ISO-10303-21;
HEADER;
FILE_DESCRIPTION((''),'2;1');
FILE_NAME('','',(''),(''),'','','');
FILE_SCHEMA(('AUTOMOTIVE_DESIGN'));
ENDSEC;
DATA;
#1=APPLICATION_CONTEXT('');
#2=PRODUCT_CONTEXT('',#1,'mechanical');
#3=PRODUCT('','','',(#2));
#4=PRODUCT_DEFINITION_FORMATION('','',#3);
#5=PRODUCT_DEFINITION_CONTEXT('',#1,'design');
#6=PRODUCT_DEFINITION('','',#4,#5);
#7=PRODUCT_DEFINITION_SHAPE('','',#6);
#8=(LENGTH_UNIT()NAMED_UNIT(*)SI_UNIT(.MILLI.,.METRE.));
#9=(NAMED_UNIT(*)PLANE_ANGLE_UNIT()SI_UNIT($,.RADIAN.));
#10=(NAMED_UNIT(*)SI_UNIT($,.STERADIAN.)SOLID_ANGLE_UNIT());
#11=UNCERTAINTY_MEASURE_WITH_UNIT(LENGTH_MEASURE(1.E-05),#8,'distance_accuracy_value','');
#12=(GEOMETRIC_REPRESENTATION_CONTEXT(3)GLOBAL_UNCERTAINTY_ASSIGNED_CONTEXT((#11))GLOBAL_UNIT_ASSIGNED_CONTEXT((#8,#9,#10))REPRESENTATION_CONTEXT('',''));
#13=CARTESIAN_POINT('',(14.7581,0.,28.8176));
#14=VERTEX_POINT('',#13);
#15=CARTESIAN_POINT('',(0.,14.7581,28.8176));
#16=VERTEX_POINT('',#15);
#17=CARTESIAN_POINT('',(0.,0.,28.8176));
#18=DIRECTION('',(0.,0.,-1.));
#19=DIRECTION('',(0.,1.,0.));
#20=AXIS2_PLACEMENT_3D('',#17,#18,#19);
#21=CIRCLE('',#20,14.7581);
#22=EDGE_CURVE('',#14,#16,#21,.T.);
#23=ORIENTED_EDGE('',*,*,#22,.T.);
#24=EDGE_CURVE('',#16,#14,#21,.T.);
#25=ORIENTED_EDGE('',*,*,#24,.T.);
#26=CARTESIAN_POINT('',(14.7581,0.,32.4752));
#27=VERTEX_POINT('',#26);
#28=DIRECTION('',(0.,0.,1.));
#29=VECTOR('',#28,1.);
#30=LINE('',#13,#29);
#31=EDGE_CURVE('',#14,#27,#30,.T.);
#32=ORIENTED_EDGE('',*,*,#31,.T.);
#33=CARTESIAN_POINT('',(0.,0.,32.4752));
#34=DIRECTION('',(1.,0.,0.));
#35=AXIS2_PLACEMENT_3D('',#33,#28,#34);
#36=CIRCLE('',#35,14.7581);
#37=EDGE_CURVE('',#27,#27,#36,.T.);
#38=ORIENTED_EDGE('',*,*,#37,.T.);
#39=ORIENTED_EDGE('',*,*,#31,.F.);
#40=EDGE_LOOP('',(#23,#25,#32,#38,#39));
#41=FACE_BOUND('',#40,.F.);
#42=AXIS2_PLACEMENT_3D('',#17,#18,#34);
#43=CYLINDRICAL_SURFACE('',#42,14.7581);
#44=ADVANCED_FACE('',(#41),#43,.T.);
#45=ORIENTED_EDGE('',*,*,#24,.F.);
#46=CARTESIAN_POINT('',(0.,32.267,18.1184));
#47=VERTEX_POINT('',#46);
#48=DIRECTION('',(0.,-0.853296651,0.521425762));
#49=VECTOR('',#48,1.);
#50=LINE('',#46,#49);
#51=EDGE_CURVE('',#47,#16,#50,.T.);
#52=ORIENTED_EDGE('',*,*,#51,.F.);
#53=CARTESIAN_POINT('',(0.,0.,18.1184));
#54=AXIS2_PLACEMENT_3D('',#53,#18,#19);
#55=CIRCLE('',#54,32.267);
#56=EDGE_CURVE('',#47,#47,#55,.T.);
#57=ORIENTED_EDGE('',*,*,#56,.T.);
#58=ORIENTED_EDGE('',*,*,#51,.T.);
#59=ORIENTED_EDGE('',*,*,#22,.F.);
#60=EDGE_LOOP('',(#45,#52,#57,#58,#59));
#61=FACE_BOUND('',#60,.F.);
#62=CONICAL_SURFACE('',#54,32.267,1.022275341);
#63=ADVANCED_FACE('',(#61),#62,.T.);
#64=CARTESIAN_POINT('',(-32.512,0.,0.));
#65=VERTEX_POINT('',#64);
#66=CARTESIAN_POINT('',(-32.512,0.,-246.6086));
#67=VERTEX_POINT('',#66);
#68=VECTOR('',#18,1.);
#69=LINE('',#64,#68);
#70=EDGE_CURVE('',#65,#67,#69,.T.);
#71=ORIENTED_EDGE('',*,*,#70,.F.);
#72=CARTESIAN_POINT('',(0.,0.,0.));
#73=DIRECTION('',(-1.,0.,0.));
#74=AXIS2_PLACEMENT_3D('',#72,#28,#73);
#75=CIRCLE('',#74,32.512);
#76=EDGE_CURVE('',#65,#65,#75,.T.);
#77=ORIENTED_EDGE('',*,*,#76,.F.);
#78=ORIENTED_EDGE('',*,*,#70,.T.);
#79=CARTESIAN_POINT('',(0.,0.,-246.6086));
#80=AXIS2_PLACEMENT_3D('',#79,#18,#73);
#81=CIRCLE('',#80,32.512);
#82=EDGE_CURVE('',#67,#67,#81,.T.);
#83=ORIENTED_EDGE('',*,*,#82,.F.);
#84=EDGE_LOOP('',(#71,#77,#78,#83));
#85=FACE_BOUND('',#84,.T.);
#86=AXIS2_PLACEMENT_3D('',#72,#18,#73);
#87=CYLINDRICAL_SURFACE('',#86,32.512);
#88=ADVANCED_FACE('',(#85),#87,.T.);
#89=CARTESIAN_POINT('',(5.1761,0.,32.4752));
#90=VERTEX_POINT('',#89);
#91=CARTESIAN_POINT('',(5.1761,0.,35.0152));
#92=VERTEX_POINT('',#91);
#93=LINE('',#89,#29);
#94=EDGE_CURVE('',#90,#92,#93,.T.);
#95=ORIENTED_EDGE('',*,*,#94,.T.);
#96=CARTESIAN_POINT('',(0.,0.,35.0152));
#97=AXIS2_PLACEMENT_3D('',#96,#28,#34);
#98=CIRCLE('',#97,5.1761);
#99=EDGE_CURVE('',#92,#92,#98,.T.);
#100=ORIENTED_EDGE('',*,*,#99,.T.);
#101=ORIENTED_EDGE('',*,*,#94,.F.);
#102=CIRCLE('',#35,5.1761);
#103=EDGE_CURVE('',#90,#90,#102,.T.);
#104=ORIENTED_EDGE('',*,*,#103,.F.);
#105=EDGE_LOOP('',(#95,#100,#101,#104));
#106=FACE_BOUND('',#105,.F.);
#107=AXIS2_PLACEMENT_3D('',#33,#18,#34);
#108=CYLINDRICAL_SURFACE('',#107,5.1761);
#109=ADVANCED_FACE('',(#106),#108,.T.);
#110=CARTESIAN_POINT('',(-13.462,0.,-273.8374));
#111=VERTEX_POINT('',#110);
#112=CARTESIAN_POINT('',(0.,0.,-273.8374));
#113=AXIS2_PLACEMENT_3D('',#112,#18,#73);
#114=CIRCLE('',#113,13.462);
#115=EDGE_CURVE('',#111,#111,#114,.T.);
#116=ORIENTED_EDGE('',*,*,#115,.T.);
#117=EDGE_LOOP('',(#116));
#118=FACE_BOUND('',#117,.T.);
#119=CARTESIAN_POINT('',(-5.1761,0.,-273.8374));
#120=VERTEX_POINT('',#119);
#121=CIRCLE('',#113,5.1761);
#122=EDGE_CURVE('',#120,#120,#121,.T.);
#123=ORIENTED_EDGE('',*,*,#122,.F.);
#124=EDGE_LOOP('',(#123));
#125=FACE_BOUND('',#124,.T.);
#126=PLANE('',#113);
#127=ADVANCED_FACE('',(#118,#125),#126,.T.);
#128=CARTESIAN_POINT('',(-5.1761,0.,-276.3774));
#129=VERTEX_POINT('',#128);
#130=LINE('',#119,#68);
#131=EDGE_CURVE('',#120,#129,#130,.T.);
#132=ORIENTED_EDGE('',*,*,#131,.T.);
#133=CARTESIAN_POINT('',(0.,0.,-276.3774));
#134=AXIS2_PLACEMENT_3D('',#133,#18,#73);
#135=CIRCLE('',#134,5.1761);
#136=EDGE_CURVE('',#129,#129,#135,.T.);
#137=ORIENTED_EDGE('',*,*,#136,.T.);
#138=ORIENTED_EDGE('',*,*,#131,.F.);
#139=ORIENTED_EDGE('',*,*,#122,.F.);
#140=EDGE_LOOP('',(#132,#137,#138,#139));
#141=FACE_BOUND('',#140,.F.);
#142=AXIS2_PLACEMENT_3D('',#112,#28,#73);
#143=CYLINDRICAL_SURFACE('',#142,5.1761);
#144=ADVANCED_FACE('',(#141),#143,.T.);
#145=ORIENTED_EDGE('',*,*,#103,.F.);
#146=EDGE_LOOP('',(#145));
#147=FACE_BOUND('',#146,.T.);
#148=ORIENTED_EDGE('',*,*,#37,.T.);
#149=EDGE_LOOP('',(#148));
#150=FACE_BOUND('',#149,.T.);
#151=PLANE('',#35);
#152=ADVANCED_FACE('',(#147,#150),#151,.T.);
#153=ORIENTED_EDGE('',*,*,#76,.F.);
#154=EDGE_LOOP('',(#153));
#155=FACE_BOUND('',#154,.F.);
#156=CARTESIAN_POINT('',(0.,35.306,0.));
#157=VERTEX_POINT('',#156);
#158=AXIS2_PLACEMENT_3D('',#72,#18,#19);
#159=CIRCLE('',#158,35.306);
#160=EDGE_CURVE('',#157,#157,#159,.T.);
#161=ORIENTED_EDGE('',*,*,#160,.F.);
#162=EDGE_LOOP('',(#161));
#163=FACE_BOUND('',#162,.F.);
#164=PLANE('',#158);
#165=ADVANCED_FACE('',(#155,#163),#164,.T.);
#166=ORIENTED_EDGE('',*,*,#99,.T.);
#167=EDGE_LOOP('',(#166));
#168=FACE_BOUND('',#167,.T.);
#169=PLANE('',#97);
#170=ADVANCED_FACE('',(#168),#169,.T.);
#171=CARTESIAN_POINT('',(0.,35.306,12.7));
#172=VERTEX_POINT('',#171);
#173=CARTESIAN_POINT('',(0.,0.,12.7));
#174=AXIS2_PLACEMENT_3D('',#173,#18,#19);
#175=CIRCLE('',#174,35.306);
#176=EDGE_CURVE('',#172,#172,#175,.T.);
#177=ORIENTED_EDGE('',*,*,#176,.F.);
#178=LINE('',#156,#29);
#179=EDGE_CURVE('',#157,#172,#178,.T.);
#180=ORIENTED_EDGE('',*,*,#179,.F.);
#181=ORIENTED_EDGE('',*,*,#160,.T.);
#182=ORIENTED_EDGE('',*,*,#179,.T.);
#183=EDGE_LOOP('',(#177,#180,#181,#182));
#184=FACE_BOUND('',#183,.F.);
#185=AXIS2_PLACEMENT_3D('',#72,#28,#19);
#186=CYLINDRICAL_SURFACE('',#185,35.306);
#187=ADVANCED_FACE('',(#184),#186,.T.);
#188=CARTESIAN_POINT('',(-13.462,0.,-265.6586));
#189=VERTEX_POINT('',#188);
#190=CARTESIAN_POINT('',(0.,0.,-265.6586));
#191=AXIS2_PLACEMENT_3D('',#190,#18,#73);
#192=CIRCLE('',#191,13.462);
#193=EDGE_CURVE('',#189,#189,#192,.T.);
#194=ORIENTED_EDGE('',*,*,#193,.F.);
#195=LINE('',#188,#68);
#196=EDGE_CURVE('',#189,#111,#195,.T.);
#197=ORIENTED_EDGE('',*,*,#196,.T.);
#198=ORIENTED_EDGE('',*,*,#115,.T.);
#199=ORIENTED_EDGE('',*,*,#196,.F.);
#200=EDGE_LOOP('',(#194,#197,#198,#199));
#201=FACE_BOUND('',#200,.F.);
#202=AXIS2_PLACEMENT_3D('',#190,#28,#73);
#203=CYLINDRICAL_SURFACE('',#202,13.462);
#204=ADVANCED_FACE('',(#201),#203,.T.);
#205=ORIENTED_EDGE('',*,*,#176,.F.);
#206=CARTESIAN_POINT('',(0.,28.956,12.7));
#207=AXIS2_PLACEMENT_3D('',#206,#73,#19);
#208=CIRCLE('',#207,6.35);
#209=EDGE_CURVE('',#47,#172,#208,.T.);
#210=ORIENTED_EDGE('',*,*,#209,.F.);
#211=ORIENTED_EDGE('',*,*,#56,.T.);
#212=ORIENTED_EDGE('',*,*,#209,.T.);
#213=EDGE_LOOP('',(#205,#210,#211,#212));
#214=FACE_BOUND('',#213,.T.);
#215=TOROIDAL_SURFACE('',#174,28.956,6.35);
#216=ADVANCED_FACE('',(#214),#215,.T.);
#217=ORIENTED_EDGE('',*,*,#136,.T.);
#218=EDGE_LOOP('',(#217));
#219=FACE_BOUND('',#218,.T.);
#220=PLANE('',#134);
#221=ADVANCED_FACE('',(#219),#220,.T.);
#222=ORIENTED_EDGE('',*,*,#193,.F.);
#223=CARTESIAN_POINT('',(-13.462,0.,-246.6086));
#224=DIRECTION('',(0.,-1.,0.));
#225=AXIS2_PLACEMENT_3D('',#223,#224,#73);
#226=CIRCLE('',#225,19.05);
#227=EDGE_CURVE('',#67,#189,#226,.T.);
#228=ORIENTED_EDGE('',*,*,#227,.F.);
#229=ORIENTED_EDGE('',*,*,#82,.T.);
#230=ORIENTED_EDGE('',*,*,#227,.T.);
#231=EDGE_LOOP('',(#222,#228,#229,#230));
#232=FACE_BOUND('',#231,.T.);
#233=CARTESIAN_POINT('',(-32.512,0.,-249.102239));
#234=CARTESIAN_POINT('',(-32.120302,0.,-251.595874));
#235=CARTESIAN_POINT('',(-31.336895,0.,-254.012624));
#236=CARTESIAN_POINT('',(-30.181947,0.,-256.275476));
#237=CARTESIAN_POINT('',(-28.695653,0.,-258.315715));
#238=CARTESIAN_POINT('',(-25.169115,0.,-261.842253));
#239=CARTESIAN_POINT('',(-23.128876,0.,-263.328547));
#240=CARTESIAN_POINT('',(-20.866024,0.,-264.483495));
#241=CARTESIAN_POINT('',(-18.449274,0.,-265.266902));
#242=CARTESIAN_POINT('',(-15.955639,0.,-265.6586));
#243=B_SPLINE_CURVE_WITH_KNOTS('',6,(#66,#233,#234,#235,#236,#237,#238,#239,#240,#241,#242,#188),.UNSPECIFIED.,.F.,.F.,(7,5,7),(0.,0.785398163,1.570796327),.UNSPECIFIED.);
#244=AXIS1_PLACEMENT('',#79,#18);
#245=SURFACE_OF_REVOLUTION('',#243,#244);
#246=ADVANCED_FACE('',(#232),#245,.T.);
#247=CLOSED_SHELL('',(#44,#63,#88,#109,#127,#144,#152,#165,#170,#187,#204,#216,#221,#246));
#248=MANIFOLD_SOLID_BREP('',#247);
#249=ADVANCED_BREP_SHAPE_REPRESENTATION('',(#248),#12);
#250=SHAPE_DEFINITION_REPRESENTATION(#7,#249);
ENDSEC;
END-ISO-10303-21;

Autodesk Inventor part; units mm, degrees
ref_plane "XZ Plane" through (0, 0, 0) normal (0, 1, 0) x (-1, 0, 0)
ref_plane "XY Plane" through (0, 0, 0) normal (0, 0, 1) x (1, 0, 0)
sketch "Sketch1" plane through (0, 0, 0) normal (0, 1, 0) x (-1, 0, 0)
  line L0 (0, 0) -> (0, -394.9191)
  line L1 (0, 0) -> (32.512, 0)
  line L2 (32.512, 0) -> (32.512, -265.6586)
  line L3 (32.512, -265.6586) -> (0, -265.6586)
  dimension "d0" = 32.512
  dimension "d1" = 265.6586
revolve "Revolution1" add sketch "Sketch1" angle 360 about axis through (0, 0, 0) along (0, 0, -1)
fillet "Fillet1" radius 19.05 1 edges at (32.512, 0, -265.6586)
sketch "Sketch2" plane through (0, 0, 0) normal (1, 0, 0) x (0, 1, 0)
  line L0 (0, 0) -> (35.306, 0)
  line L1 (-32.512, 0) -> (32.512, 0) projected
  line L2 (35.306, 0) -> (35.306, 19.05)
  line L3 (35.306, 19.05) -> (0, 19.05)
  line L4 (0, 19.05) -> (0, 0)
  dimension "d4" = 35.306
  dimension "d5" = 19.05
revolve "Revolution2" add sketch "Sketch2" angle 360 about axis through (0, 0, 19.05) along (0, 0, -1)
fillet "Fillet2" radius 6.35 1 edges at (0, -35.306, 19.05)
sketch "Sketch3" plane through (0, 0, 0) normal (1, 0, 0) x (0, 1, 0)
  arc A0 (35.306, 12.7) -> (28.956, 19.05) centre (28.956, 12.7) ccw projected
  line L0 (32.267, 18.1184) -> (14.7581, 28.8176)
  line L1 (14.7581, 28.8176) -> (0, 28.8176)
  line L2 (0, 28.8176) -> (0, 19.05)
  line L3 (-28.956, 19.05) -> (28.956, 19.05) projected
  point P0 (0, 0)
revolve "Revolution3" add sketch "Sketch3" angle 360 about axis through (0, 0, 28.8176) along (0, 0, -1)
sketch "Sketch4" plane through (0, 0, 28.8176) normal (0, 0, 1) x (1, 0, 0)
  circle A0 centre (0, 0) radius 14.7581 projected
extrude "Extrusion1" add sketch "Sketch4" along normal blind 3.6576
sketch "Sketch5" plane through (0, 0, -265.6586) normal (0, 0, -1) x (-1, 0, 0)
  circle A0 centre (0, 0) radius 13.462 projected
extrude "Extrusion2" add sketch "Sketch5" along normal blind 8.1788
sketch "Sketch6" plane through (0, 0, 32.4752) normal (0, 0, 1) x (1, 0, 0)
  circle A0 centre (0, 0) radius 14.7581 projected
  circle A1 centre (0, 0) radius 5.1761
extrude "Extrusion3" add sketch "Sketch6" along normal blind 2.54 contours A1
sketch "Sketch7" plane through (0, 0, -273.8374) normal (0, 0, -1) x (-1, 0, 0)
  circle A0 centre (0, 0) radius 5.1761 projected
extrude "Extrusion4" add sketch "Sketch7" along normal blind 2.54
ref_plane "Work Plane1" through (32.512, 0, -132.8293) normal (1, 0, 0) x (0, 1, 0)
properties part number "Air Tank" material "Steel"
